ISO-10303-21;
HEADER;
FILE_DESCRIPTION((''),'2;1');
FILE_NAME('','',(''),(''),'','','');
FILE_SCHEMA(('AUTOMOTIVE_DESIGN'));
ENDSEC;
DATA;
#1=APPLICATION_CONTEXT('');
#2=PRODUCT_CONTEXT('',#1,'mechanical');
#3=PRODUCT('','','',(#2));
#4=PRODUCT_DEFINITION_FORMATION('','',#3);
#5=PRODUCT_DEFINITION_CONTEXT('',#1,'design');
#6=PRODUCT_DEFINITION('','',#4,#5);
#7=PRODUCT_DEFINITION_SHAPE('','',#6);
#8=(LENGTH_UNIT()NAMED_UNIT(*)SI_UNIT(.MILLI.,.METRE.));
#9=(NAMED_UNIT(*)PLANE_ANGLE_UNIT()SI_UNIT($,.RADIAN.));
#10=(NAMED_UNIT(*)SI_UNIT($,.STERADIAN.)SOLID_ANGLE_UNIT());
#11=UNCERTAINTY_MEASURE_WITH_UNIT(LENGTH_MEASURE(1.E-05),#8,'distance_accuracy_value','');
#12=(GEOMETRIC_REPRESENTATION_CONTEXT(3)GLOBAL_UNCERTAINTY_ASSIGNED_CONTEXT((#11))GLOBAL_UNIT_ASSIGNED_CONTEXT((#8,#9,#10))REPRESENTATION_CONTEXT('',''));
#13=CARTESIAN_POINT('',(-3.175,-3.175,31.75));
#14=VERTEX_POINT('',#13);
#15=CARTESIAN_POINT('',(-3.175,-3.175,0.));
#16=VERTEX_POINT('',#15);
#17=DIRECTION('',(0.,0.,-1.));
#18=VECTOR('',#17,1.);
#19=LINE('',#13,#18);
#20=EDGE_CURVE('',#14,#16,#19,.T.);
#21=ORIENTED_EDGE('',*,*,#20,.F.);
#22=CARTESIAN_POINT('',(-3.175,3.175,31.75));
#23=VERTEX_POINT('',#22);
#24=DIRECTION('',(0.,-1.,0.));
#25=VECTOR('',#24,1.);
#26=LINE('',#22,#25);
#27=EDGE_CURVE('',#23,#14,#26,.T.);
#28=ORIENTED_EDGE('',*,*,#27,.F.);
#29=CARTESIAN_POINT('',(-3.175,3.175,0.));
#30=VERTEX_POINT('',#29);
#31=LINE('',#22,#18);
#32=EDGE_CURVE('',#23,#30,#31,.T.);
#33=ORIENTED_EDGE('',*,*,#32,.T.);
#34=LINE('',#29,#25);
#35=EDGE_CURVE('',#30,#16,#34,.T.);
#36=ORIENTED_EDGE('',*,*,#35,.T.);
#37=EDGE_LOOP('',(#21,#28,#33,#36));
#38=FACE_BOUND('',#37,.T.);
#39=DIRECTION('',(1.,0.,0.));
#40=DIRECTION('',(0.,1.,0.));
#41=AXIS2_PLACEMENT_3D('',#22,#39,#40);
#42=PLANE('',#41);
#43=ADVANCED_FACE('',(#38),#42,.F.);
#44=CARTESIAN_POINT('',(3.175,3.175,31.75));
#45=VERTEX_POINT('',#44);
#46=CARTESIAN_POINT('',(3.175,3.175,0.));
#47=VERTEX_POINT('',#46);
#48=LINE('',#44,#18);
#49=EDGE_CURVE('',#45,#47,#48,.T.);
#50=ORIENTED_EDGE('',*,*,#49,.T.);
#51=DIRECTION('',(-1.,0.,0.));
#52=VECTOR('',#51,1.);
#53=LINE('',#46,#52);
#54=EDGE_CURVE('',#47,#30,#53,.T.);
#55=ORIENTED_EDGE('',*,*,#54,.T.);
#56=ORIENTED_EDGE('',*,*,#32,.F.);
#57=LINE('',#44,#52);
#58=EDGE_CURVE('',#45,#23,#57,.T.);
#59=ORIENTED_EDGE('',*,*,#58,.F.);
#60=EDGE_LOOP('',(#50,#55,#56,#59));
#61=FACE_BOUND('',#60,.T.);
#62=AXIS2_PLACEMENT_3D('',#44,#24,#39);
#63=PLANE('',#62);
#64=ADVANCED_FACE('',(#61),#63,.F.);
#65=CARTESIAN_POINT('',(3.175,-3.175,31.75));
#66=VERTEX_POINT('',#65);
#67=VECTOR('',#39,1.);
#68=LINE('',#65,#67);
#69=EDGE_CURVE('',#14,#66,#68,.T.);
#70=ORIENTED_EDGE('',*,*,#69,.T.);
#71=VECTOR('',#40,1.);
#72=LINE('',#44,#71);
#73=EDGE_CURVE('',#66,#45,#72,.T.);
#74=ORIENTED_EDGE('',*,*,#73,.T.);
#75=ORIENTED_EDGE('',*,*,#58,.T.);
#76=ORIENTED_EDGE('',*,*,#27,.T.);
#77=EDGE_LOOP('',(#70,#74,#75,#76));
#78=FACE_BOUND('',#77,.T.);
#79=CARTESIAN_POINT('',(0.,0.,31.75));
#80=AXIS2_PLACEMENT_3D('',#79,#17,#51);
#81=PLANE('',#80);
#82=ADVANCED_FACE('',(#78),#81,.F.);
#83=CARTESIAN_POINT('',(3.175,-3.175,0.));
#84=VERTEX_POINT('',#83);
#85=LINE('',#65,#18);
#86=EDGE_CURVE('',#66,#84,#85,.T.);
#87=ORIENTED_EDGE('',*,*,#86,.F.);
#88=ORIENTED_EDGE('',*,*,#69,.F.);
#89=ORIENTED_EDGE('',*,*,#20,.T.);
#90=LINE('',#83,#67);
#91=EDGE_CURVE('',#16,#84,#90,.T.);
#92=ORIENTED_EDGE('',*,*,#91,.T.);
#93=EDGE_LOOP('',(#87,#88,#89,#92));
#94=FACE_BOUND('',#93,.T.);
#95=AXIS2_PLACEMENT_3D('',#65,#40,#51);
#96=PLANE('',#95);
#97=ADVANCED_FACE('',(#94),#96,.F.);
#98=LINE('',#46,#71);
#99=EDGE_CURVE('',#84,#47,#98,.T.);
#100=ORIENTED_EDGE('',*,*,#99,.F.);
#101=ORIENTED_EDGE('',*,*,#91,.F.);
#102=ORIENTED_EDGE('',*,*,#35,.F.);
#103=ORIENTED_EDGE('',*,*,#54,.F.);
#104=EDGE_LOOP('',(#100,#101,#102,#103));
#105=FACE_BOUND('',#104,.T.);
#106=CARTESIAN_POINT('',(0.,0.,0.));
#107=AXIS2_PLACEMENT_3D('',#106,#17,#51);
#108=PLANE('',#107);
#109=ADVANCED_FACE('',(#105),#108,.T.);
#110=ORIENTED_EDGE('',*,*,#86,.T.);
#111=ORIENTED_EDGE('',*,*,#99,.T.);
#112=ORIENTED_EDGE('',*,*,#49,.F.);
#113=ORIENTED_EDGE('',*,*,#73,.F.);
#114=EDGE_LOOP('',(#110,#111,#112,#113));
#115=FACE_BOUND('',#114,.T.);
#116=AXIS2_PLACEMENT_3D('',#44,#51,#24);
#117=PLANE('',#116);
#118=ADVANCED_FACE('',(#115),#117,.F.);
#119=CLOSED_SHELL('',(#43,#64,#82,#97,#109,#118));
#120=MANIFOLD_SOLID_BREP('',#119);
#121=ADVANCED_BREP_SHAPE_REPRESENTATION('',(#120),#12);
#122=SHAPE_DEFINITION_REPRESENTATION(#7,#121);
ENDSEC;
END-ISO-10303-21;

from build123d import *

# Parameters (mm, degrees)
SKETCH1_W           = 6.35
SKETCH1_H           = 6.35
BOSS_EXTRUDE1_DEPTH = 31.75


with BuildPart() as part:
    # Sketch1 → Boss-Extrude1 (new body)
    with BuildSketch(Plane.XY):
        Rectangle(SKETCH1_W, SKETCH1_H)
    extrude(amount=BOSS_EXTRUDE1_DEPTH)


solid = part.part
